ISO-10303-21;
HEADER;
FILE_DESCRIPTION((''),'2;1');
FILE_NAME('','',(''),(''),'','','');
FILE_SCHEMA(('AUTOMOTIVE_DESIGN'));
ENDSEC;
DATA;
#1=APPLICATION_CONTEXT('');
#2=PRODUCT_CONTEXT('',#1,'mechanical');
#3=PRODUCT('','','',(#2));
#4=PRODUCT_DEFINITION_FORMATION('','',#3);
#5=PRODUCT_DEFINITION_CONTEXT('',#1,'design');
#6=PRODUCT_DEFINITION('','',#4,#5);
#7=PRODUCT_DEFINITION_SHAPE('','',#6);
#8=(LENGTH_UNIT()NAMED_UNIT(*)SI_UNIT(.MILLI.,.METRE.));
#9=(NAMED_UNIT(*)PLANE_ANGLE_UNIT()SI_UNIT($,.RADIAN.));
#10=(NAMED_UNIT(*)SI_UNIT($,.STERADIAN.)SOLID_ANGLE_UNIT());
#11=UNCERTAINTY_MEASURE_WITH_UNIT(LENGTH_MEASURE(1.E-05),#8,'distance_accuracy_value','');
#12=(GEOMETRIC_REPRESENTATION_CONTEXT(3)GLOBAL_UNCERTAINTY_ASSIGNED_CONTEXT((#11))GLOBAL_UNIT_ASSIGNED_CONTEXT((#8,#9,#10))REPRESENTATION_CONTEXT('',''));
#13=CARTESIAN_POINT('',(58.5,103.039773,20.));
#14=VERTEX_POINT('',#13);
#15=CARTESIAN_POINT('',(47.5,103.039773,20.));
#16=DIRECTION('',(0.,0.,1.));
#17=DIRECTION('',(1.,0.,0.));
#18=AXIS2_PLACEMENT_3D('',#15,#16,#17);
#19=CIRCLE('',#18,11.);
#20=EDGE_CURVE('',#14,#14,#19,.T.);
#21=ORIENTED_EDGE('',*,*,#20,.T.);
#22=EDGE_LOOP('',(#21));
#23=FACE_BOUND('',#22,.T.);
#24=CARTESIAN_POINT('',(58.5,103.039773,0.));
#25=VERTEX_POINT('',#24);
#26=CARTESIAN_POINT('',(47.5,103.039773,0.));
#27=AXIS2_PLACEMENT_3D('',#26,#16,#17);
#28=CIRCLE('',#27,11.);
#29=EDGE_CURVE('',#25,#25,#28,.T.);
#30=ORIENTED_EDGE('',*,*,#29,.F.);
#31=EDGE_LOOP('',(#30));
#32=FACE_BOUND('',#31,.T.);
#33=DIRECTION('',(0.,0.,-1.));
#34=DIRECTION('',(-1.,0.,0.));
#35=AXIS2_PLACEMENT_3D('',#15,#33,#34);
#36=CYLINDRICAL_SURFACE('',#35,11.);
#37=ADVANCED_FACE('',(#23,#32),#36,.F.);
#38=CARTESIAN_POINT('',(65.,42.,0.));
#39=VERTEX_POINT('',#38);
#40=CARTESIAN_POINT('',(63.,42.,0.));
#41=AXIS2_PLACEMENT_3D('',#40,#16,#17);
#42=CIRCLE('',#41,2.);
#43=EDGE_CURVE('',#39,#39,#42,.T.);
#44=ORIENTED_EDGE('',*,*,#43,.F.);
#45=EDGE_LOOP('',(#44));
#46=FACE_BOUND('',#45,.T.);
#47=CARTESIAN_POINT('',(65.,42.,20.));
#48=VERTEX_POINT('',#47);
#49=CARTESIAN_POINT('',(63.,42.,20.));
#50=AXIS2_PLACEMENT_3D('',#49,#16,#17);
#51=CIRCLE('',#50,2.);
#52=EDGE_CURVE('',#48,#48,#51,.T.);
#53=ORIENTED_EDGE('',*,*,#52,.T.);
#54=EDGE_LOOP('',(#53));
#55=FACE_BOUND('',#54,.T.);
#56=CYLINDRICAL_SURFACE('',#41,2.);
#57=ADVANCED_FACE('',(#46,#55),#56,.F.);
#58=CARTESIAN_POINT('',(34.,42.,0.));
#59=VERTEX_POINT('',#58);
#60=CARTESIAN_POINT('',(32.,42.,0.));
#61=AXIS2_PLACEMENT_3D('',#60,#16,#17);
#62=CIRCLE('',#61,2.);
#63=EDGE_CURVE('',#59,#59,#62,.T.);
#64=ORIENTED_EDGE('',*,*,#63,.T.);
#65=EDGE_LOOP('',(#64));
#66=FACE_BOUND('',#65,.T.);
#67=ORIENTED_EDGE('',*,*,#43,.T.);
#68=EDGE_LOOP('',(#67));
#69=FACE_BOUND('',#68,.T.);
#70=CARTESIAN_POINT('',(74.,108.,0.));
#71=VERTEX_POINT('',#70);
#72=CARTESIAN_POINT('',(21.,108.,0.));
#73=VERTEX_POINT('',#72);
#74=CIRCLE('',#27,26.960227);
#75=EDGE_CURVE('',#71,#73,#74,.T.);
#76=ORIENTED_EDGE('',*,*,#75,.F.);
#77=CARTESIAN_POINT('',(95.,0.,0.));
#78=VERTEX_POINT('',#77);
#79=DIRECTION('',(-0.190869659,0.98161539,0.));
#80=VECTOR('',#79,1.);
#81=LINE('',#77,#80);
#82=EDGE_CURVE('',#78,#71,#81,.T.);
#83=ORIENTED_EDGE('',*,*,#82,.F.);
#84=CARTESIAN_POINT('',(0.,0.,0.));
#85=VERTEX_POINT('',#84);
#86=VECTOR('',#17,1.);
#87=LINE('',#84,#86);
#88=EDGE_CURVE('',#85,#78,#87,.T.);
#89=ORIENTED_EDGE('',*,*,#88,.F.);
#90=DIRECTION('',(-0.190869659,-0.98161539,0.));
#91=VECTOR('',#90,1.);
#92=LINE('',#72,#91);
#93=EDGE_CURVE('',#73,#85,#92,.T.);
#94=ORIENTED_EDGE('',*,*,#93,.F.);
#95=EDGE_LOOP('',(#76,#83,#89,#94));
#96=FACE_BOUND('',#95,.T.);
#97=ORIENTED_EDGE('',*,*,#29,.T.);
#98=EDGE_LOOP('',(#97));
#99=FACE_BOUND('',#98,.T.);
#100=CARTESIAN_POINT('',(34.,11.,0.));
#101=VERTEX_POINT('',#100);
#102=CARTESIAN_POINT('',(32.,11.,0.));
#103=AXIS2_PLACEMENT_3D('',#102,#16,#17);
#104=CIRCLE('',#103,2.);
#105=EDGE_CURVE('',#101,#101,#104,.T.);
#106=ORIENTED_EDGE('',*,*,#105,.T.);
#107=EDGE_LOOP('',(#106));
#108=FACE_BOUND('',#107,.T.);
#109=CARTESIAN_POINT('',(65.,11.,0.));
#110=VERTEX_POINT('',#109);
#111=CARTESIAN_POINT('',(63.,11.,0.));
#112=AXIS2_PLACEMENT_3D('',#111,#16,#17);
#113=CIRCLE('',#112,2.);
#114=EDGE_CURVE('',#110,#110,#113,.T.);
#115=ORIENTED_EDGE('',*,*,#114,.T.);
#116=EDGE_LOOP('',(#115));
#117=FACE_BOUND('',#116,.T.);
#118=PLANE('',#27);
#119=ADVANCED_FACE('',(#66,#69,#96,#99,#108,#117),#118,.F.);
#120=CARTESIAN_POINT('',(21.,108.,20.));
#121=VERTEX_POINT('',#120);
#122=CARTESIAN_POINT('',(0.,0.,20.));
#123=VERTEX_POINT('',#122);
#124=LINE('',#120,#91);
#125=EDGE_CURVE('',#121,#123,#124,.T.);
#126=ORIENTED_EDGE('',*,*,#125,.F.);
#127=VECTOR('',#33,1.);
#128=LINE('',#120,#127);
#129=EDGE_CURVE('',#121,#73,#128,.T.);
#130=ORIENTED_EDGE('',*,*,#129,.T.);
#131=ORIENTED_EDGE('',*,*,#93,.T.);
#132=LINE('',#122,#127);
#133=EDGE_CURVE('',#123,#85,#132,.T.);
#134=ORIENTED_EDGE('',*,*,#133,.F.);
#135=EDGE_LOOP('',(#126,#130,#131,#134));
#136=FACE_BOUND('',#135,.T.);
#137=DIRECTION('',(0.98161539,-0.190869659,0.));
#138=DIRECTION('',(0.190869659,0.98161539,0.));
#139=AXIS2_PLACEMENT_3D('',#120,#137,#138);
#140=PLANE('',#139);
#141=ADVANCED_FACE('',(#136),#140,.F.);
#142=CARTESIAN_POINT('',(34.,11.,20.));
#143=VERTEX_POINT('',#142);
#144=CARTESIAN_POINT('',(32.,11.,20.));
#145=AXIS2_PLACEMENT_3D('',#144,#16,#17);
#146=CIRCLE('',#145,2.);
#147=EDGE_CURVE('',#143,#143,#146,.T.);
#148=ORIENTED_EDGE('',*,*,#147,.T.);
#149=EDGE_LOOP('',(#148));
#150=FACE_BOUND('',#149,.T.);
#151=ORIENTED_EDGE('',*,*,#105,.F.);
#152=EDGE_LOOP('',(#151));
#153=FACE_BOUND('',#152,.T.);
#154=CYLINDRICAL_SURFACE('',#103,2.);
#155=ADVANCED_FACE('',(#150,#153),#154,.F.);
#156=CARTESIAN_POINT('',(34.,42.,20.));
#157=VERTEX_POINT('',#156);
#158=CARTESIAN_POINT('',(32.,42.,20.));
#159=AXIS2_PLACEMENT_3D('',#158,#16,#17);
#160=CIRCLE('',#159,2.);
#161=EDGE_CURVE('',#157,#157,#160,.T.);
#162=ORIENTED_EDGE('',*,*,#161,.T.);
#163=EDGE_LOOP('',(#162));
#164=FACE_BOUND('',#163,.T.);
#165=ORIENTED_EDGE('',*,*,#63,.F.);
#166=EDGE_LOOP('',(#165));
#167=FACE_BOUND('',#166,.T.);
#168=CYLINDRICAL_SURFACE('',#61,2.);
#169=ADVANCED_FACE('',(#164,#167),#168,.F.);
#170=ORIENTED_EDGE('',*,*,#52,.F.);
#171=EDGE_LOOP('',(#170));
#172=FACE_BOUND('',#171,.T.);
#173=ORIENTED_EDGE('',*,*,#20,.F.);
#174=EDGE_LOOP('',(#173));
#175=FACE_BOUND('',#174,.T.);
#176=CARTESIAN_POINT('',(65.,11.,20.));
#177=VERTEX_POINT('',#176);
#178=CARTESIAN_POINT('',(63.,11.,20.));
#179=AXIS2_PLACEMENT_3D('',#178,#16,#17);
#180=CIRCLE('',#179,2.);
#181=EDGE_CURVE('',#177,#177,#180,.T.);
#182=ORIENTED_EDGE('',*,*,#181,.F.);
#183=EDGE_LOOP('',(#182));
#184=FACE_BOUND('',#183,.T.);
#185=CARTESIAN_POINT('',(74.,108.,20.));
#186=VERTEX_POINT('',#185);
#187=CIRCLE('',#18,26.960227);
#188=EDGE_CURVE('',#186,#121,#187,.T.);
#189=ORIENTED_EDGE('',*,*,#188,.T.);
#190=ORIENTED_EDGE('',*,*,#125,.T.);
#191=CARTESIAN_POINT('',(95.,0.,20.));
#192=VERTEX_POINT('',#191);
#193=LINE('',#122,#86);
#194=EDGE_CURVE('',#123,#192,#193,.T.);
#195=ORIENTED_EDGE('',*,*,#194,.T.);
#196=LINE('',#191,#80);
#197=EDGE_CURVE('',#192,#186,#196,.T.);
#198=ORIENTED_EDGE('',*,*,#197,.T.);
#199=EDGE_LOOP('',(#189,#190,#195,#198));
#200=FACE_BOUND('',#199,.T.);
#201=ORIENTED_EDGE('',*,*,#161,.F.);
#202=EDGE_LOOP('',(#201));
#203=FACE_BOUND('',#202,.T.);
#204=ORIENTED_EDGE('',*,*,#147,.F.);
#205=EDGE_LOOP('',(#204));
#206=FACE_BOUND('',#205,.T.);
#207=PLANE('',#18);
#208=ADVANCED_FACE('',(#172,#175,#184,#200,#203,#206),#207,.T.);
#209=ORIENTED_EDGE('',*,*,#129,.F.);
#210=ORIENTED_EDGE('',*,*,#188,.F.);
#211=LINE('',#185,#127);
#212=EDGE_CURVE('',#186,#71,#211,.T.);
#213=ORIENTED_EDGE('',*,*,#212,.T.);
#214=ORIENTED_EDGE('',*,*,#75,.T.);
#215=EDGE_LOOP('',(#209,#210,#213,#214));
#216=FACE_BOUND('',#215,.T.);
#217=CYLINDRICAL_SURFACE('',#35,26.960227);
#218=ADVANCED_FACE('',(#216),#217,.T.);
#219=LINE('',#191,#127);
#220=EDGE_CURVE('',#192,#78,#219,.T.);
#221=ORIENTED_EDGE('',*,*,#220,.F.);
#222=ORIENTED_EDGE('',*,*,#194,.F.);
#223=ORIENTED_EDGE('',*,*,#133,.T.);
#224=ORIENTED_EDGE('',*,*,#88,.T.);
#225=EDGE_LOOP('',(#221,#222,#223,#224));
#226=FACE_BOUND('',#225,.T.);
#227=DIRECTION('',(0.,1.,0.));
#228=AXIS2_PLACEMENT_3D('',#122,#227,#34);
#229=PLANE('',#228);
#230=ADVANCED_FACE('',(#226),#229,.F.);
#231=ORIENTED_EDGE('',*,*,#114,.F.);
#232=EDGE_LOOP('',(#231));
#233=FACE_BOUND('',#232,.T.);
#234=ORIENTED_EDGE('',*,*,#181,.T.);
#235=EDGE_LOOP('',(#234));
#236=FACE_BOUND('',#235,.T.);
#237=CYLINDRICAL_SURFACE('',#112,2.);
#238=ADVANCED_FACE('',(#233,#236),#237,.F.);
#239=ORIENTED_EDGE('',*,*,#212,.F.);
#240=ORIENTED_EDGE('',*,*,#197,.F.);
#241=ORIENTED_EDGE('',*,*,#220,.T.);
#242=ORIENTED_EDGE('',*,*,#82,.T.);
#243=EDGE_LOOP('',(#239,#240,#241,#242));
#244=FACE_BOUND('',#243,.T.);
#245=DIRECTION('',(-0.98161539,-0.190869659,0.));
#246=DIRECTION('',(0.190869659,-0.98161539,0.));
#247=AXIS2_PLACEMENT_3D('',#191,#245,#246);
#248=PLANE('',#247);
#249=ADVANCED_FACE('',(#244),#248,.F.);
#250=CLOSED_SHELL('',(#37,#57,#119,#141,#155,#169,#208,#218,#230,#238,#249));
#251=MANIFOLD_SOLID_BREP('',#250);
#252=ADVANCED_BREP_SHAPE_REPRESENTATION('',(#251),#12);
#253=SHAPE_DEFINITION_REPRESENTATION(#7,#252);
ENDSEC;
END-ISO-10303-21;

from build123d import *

# Parameters (mm, degrees)
ESQUISSE1_R             = 11
BOSS_EXTRU_1_DEPTH      = 20
ESQUISSE2_R             = 2
ENL_V_MAT_EXTRU_1_DEPTH = 163.249807396


with BuildPart() as part:
    # Esquisse1 → Boss.-Extru.1 (new body)
    with BuildSketch(Plane.XY):
        with BuildLine():
            Line((0, 0), (95, 0))
            Line((95, 0), (74, 108))
            ThreePointArc((74, 108), (47.5, 130), (21, 108))
            Line((21, 108), (0, 0))
        make_face()
        with Locations((47.5, 103.039772727)):
            Circle(ESQUISSE1_R, mode=Mode.SUBTRACT)
    extrude(amount=BOSS_EXTRU_1_DEPTH)

    # Esquisse2 → Enlèv. mat.-Extru.1 (cut, through all)
    with BuildSketch(Plane.XY.offset(20)):
        with Locations((63, 11)):
            Circle(ESQUISSE2_R)
        with Locations((32, 11)):
            Circle(ESQUISSE2_R)
        with Locations((32, 42)):
            Circle(ESQUISSE2_R)
        with Locations((63, 42)):
            Circle(ESQUISSE2_R)
    extrude(amount=-ENL_V_MAT_EXTRU_1_DEPTH, mode=Mode.SUBTRACT)


solid = part.part
